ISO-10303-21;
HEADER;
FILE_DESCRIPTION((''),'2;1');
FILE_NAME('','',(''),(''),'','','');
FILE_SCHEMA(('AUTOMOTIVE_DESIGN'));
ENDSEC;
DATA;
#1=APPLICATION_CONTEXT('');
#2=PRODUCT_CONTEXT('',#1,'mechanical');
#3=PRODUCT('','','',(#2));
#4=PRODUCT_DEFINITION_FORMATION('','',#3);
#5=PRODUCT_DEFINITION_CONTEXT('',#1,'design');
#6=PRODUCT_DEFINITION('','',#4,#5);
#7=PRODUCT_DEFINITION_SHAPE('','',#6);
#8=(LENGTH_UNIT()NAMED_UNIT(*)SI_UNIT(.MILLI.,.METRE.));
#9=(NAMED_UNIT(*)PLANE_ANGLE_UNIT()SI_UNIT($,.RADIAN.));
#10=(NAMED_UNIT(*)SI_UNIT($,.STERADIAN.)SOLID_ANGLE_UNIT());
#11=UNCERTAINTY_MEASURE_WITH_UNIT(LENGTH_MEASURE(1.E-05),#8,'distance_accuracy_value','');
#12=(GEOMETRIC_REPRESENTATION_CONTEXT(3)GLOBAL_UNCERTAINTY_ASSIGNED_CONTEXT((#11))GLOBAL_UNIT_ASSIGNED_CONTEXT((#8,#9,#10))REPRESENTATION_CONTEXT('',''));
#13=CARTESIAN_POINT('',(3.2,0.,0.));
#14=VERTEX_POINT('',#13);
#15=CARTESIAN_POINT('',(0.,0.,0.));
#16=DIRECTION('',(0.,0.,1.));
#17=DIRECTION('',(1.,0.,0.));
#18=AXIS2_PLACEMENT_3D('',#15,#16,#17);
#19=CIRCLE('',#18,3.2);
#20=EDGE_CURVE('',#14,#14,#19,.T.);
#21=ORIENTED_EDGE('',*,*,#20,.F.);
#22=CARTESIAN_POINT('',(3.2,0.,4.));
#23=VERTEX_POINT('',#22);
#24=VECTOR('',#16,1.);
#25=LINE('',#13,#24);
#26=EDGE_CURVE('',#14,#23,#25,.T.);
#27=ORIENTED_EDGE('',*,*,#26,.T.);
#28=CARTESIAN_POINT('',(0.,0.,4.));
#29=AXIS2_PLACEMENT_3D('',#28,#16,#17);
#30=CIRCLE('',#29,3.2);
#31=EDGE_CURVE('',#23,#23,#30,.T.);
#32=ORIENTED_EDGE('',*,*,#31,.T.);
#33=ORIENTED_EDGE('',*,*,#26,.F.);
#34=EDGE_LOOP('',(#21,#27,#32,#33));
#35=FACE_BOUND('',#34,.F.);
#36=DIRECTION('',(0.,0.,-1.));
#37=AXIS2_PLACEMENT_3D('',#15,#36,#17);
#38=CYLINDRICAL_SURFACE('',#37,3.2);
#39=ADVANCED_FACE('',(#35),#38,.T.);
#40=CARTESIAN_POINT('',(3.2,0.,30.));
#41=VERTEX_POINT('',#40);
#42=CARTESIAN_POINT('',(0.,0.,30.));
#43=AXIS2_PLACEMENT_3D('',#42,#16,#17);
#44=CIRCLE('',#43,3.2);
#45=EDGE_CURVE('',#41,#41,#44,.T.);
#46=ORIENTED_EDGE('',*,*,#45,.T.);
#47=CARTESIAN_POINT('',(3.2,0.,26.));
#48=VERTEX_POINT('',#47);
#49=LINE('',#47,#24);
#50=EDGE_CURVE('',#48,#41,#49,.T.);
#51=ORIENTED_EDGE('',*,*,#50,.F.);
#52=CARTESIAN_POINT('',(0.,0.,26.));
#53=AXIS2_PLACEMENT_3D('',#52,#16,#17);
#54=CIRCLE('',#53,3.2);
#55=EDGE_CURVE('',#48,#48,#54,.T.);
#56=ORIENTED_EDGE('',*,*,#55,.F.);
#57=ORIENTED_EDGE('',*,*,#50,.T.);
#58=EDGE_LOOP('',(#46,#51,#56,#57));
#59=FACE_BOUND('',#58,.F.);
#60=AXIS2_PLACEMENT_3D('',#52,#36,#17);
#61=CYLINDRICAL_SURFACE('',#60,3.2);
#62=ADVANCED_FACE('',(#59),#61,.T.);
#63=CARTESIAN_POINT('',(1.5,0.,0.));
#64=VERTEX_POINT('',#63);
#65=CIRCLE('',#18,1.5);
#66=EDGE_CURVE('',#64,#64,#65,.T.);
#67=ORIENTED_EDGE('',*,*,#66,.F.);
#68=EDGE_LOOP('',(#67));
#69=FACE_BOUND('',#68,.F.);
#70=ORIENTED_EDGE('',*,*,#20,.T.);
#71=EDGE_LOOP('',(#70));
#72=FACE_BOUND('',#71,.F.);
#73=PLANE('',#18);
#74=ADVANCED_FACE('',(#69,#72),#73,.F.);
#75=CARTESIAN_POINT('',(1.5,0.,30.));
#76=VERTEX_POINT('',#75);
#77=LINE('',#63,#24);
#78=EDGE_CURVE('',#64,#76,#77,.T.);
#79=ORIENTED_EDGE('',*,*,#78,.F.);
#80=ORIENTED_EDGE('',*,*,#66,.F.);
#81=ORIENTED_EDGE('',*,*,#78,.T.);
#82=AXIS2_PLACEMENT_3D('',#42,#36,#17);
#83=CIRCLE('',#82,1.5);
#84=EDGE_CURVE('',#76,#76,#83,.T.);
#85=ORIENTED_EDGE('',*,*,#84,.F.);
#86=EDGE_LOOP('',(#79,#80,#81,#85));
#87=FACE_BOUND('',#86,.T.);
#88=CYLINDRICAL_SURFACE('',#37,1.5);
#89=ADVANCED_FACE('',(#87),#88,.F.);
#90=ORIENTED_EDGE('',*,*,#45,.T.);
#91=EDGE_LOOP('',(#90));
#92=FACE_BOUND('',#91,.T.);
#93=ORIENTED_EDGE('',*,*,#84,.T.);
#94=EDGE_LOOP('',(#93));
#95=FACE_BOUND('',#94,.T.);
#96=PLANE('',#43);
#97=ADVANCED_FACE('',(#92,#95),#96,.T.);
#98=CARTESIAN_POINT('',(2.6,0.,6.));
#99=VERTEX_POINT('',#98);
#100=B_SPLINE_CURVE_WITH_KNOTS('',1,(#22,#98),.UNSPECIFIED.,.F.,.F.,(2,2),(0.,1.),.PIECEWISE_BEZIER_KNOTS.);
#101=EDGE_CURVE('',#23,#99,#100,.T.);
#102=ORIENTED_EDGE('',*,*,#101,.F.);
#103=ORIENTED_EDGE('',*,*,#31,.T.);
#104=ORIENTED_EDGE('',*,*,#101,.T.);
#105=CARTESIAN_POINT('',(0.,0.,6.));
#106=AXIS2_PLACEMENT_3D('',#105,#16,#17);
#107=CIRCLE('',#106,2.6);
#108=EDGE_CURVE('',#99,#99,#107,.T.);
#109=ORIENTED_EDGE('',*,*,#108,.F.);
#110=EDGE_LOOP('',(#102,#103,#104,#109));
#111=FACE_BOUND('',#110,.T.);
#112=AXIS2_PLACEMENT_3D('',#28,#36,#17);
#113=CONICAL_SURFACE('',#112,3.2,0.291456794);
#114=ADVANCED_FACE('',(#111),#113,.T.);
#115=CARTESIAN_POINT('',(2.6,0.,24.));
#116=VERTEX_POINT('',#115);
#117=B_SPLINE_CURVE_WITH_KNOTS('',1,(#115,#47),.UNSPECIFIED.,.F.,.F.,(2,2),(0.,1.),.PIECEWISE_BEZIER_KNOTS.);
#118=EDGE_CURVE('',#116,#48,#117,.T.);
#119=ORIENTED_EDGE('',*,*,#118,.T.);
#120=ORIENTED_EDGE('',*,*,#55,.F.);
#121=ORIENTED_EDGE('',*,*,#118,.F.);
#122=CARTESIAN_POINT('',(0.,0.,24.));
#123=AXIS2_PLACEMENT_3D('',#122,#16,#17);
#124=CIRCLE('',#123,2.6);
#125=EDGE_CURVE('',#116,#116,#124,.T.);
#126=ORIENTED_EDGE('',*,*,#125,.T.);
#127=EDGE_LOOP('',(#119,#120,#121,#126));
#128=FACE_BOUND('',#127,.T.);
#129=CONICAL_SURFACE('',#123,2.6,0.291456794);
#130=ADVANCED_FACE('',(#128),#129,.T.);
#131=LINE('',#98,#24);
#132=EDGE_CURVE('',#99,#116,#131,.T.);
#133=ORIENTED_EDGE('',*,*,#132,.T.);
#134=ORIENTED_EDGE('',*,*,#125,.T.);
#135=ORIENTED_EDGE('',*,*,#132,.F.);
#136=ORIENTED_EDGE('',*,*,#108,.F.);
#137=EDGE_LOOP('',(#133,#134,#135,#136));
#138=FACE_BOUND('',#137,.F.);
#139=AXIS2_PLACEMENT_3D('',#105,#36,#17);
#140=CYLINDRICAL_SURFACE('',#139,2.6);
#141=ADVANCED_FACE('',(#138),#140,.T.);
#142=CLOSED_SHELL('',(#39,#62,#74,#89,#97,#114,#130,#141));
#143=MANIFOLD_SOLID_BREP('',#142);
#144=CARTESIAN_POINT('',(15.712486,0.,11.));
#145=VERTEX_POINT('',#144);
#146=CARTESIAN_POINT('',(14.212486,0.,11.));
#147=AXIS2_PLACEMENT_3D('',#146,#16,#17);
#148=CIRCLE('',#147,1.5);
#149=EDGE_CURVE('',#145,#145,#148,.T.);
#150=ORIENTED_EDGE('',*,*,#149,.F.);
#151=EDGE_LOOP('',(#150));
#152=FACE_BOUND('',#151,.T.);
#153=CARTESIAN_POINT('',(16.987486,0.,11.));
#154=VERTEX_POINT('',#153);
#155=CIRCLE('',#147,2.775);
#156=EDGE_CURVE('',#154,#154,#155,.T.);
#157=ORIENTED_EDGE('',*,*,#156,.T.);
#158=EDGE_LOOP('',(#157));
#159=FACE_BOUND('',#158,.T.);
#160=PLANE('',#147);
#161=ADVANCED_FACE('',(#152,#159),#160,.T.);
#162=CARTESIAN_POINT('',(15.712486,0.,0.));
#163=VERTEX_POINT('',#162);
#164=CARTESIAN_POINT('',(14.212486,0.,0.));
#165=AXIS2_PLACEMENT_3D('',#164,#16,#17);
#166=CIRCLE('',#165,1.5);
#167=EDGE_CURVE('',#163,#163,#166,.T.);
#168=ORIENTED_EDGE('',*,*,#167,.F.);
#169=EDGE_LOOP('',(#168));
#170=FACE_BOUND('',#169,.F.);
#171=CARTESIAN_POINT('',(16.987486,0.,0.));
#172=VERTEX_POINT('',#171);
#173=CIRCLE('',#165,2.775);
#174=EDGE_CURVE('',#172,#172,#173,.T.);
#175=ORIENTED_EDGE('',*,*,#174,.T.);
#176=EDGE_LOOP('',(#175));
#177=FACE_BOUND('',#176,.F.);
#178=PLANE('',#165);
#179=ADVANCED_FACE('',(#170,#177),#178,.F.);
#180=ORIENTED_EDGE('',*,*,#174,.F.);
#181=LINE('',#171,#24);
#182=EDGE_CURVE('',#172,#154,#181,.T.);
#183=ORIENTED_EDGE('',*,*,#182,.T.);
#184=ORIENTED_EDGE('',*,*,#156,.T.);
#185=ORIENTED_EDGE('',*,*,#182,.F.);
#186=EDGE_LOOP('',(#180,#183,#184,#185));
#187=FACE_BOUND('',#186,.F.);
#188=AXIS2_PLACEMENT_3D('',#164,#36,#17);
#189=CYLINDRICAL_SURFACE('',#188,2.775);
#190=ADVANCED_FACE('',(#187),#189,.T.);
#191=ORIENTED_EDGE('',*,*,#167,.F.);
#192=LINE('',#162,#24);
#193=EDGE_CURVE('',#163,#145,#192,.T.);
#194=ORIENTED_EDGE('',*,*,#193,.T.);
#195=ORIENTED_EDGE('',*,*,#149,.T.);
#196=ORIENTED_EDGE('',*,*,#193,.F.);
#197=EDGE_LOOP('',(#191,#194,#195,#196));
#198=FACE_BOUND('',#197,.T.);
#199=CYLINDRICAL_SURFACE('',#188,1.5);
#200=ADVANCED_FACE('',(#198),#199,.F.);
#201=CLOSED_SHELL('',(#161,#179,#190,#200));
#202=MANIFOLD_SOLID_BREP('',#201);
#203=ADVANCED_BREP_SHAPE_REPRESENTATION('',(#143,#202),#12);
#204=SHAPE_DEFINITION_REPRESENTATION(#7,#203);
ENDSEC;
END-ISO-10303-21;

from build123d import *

# Parameters (mm, degrees)
F0_R      = 3.2
F1_DEPTH  = 4
F1_FACE_R = 3.2
F3_R      = 2.6
F9_DEPTH  = 18
F6_R      = 2.6
F8_R      = 3.2
F11_DEPTH = 4
F12_R     = 1.5
F13_DEPTH = 50
F14_R     = 2.775
F14_R_2   = 1.5
F15_DEPTH = 11


with BuildPart() as f1:
    # F0 (on Top) → F1 (new body)
    with BuildSketch(Plane.XY):
        Circle(F0_R)
    extrude(amount=F1_DEPTH)

    # F1_face (on face) → F4 section 0
    with BuildSketch(Plane.XY.offset(4)):
        Circle(F1_FACE_R)
    # F3 (on offset) → F4 section 1
    with BuildSketch(Plane.XY.offset(6)):
        Circle(F3_R)
    loft()

    # F3 (on offset) → F9 (join)
    with BuildSketch(Plane.XY.offset(6)):
        Circle(F3_R)
    extrude(amount=F9_DEPTH)

    # F6 (on offset) → F10 section 0
    with BuildSketch(Plane.XY.offset(24)):
        Circle(F6_R)
    # F8 (on offset) → F10 section 1
    with BuildSketch(Plane.XY.offset(26)):
        Circle(F8_R)
    loft()

    # F8 (on offset) → F11 (join)
    with BuildSketch(Plane.XY.offset(26)):
        Circle(F8_R)
    extrude(amount=F11_DEPTH)

    # F12 (on Top) → F13 (cut)
    with BuildSketch(Plane.XY):
        Circle(F12_R)
    extrude(amount=F13_DEPTH, mode=Mode.SUBTRACT)


with BuildPart() as f15:
    # F14 (on Top) → F15 (new body)
    with BuildSketch(Plane.XY):
        with Locations((14.212486, 0)):
            Circle(F14_R)
        with Locations((14.212486, 0)):
            Circle(F14_R_2, mode=Mode.SUBTRACT)
    extrude(amount=F15_DEPTH)


solid = Compound([f1.part, f15.part])
